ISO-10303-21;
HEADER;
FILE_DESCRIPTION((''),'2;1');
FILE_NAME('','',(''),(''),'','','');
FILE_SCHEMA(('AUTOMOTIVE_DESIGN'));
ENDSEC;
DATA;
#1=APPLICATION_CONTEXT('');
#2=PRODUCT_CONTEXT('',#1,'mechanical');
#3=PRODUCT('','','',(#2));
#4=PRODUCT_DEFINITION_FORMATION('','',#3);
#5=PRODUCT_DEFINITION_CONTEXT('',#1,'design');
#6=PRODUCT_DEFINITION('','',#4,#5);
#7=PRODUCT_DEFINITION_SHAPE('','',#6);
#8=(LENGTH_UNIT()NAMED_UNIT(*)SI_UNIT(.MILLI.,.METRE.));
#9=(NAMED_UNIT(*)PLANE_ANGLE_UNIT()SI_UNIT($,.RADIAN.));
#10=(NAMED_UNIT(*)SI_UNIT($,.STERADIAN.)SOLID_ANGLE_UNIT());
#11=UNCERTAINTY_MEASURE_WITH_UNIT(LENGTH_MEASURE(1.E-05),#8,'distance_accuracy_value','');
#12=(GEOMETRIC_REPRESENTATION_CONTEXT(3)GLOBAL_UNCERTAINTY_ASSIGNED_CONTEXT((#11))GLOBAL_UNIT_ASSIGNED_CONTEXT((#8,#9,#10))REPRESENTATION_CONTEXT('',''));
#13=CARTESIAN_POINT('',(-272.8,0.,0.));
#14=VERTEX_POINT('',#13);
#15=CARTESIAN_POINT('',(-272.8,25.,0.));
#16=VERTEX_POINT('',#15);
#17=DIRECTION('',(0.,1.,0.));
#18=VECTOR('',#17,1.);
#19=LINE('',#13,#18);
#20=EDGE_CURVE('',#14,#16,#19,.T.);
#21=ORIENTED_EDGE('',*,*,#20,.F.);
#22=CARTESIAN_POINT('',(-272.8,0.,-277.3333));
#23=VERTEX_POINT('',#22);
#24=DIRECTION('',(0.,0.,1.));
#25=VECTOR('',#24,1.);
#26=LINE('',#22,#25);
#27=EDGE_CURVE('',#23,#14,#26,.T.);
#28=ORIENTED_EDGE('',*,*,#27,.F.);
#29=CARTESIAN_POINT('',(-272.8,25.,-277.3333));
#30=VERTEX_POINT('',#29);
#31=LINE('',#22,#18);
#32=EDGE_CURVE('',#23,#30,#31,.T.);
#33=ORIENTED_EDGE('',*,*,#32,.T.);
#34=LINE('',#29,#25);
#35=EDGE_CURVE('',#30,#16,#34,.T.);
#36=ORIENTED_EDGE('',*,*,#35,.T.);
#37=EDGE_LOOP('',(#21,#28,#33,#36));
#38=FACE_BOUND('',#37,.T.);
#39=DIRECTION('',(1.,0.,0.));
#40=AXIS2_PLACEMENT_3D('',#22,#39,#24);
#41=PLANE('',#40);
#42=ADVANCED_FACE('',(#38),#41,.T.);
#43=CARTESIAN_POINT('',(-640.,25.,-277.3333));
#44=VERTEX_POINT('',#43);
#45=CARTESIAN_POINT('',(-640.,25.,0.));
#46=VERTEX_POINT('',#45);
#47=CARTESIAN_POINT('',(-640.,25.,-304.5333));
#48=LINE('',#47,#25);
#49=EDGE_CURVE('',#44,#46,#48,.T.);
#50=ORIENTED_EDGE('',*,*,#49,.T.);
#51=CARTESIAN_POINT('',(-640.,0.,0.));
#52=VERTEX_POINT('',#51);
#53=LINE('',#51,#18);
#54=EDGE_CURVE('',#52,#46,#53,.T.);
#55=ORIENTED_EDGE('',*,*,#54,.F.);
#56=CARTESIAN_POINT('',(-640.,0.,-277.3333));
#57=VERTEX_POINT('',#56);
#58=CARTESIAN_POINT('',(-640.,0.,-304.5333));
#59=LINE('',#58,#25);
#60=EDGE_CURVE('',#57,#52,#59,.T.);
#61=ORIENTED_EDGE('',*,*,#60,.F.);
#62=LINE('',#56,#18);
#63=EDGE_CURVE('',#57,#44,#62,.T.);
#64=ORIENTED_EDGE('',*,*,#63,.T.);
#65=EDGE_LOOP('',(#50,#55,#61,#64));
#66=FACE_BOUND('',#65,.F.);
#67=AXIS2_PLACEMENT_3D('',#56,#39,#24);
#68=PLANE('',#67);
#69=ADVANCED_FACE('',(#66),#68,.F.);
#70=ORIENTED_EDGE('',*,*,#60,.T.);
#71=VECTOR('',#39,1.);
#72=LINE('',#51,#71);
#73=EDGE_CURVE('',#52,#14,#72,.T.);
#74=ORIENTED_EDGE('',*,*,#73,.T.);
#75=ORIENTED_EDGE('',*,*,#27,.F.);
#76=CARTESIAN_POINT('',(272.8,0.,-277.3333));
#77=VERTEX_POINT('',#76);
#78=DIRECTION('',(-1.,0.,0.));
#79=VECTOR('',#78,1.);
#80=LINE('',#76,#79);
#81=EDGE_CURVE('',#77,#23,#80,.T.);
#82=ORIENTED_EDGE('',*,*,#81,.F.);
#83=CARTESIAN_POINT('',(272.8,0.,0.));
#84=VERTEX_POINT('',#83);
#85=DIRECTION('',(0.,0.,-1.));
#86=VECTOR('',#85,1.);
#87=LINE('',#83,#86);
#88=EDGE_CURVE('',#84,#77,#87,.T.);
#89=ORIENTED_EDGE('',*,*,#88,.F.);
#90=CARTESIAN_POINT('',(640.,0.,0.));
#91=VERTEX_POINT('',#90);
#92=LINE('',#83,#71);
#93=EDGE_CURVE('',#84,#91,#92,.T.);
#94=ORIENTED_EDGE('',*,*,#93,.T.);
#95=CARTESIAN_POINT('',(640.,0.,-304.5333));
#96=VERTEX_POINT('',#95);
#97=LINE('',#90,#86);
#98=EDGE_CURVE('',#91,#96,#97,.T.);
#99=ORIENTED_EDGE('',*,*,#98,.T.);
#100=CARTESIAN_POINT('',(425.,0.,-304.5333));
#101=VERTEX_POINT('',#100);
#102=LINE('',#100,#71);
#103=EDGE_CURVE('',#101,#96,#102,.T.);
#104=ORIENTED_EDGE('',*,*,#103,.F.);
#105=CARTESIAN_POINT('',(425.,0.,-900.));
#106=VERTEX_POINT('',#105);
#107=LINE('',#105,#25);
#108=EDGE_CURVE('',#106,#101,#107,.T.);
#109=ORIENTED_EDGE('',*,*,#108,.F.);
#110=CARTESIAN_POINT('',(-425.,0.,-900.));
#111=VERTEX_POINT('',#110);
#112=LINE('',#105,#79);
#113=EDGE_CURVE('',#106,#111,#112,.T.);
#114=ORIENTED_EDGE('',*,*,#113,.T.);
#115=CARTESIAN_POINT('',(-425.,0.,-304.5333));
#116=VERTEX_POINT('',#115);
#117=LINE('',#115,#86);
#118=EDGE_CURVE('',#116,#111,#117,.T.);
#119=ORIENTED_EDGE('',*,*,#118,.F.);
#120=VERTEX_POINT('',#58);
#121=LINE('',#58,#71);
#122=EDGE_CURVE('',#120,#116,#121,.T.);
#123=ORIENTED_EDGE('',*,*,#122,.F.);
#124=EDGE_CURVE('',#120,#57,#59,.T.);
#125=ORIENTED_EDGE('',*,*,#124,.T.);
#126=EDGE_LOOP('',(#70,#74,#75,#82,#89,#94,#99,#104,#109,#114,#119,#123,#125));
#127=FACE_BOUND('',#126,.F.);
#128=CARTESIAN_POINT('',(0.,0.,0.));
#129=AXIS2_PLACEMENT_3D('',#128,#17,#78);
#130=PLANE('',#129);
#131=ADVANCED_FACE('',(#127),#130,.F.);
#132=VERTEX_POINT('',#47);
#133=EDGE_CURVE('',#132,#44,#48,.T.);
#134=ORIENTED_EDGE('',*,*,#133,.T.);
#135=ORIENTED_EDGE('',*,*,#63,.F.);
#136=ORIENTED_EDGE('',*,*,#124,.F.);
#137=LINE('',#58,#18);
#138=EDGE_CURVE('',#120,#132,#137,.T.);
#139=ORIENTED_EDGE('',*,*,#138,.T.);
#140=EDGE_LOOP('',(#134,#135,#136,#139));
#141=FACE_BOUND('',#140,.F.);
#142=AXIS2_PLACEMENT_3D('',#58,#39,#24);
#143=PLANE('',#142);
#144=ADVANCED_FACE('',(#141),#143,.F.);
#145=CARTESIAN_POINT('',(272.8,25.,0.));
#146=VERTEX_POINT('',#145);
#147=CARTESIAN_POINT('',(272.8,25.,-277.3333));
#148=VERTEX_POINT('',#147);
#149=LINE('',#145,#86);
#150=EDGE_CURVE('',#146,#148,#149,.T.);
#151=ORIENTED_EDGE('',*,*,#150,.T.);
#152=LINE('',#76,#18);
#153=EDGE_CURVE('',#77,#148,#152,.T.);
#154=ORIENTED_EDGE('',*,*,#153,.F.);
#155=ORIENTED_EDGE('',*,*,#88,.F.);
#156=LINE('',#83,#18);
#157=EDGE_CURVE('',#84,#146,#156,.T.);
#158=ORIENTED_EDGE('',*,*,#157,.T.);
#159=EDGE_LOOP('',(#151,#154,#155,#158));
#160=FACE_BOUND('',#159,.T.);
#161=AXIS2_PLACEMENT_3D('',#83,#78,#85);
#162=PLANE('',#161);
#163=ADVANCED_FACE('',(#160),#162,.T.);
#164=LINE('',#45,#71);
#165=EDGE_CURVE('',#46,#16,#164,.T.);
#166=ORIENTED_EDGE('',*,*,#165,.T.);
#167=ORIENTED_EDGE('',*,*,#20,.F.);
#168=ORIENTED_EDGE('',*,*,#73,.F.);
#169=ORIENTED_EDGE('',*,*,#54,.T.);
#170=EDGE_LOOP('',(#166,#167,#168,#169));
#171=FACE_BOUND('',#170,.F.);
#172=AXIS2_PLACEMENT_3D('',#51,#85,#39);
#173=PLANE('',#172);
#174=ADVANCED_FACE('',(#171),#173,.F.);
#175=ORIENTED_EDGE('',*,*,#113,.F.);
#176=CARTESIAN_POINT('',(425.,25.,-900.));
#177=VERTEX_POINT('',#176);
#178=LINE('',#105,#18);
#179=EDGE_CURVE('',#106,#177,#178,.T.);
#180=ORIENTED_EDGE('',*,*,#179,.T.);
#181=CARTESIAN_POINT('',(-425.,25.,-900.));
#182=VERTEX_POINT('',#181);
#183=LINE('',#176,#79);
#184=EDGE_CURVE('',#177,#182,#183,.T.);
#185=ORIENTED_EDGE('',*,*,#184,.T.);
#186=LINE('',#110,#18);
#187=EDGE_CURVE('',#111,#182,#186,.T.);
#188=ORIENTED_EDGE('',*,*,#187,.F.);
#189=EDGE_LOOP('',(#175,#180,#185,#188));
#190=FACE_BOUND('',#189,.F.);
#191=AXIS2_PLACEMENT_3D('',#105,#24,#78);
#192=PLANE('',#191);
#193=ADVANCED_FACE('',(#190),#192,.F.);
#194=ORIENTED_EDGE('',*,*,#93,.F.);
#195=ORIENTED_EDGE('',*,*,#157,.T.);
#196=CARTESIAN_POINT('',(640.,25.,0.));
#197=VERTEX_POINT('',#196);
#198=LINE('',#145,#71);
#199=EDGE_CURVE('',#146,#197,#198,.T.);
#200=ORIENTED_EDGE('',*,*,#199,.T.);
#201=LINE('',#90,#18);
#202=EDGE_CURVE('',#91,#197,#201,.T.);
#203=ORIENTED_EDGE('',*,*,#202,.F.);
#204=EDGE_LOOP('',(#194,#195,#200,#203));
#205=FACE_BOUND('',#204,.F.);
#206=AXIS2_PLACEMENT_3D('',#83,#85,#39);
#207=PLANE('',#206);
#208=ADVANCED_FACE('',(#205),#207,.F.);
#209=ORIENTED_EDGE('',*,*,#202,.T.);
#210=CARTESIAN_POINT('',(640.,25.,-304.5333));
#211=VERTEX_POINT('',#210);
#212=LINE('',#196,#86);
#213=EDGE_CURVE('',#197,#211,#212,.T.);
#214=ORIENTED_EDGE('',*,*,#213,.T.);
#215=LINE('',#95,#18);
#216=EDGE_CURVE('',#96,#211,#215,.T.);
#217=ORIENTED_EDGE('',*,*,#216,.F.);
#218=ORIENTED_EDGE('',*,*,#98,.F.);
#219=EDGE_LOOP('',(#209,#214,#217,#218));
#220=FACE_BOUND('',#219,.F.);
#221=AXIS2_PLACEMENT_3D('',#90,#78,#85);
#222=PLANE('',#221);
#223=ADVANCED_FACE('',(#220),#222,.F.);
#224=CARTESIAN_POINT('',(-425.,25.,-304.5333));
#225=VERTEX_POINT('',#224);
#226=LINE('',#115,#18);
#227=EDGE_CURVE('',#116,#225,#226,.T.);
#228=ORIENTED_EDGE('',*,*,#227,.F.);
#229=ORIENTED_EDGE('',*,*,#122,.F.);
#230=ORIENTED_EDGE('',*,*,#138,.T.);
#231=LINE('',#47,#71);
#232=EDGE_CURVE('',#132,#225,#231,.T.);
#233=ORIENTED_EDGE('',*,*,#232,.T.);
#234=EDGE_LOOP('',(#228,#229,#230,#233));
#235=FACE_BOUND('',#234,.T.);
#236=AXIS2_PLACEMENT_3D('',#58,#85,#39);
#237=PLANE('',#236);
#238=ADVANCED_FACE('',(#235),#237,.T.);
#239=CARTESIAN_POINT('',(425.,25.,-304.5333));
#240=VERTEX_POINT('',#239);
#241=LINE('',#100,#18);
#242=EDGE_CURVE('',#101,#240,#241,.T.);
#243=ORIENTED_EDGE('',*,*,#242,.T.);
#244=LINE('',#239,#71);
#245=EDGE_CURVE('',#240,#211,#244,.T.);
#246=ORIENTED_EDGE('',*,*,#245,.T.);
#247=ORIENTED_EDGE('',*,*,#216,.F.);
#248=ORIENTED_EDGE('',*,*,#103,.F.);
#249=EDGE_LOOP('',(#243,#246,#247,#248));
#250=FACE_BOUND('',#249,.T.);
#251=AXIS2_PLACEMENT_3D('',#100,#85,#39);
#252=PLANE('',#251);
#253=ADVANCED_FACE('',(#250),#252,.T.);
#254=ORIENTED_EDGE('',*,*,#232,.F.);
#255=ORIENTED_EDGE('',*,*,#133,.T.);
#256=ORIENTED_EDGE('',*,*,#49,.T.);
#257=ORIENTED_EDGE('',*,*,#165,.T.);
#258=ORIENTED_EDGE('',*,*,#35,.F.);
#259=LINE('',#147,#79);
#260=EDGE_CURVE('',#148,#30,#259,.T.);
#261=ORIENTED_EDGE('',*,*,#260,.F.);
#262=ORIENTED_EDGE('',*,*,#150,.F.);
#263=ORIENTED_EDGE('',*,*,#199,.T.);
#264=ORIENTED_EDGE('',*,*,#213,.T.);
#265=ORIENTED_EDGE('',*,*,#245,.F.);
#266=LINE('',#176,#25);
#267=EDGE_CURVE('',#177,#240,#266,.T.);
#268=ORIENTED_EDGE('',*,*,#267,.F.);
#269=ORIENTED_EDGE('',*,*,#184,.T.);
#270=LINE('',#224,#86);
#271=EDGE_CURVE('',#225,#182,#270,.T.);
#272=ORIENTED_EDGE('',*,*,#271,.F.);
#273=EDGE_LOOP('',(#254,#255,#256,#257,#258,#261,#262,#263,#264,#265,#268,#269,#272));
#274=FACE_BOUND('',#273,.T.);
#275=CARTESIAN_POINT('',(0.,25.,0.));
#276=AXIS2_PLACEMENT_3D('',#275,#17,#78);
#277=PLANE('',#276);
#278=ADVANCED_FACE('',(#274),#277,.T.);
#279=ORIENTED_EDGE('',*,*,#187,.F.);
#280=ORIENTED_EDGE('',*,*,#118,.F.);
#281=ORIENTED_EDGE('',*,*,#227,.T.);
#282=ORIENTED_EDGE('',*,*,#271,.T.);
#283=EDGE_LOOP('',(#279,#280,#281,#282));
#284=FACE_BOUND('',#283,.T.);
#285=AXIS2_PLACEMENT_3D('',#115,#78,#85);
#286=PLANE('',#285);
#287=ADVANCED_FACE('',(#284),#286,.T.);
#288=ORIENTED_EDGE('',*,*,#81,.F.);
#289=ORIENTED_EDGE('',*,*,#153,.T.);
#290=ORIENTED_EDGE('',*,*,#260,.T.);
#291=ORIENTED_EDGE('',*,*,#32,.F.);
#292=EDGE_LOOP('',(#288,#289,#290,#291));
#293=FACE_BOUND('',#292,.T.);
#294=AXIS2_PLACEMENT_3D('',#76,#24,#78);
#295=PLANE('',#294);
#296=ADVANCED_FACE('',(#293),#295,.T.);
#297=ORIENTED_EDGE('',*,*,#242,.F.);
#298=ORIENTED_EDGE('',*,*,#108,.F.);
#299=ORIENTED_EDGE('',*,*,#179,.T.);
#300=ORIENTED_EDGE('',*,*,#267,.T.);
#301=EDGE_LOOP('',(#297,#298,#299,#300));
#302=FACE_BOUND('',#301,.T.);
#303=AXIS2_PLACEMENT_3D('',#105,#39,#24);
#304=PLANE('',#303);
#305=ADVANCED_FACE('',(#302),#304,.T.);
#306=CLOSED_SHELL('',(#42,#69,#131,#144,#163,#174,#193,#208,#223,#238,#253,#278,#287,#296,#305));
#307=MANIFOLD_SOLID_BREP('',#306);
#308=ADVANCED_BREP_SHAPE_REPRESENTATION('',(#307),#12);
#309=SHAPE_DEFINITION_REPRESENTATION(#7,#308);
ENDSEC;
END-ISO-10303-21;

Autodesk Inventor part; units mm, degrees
ref_plane "YZ Plane" through (0, 0, 0) normal (1, 0, 0) x (0, 1, 0)
ref_plane "XZ Plane" through (0, 0, 0) normal (0, 1, 0) x (-1, 0, 0)
ref_plane "XY Plane" through (0, 0, 0) normal (0, 0, 1) x (1, 0, 0)
sketch "スケッチ1" plane through (0, 0, 0) normal (0, 1, 0) x (-1, 0, 0)
  line L0 (-640, 0) -> (-640, -304.5333)
  line L1 (-425, -900) -> (425, -900)
  line L2 (640, -304.5333) -> (640, 0)
  line L3 (-272.8, 0) -> (-272.8, -277.3333)
  line L4 (-272.8, -277.3333) -> (272.8, -277.3333)
  line L5 (272.8, -277.3333) -> (272.8, 0)
  line L6 (0, -900) -> (0, 0) construction
  line L7 (640, 0) -> (272.8, 0)
  line L8 (-272.8, 0) -> (-640, 0)
  line L9 (-425, -900) -> (-425, -304.5333)
  line L10 (-425, -304.5333) -> (-640, -304.5333)
  line L11 (640, -277.3333) -> (640, -304.5333)
  line L12 (-425, -304.5333) -> (640, -304.5333) construction
  line L13 (640, -304.5333) -> (425, -304.5333)
  line L14 (425, -304.5333) -> (425, -900)
  point P0 (0, 0)
  dimension "d4" = 545.6
  dimension "d5" = 622.6667
  dimension "d9" = 215
  dimension "d10" = 595.4667
  dimension "d14" = 1280
  dimension "d15" = 900
  dimension "d16" = 367.2
  dimension "d17" = 304.5333
  dimension "d18" = 850
extrude "押し出し1" add sketch "スケッチ1" along normal blind 25
properties part number "床板"
